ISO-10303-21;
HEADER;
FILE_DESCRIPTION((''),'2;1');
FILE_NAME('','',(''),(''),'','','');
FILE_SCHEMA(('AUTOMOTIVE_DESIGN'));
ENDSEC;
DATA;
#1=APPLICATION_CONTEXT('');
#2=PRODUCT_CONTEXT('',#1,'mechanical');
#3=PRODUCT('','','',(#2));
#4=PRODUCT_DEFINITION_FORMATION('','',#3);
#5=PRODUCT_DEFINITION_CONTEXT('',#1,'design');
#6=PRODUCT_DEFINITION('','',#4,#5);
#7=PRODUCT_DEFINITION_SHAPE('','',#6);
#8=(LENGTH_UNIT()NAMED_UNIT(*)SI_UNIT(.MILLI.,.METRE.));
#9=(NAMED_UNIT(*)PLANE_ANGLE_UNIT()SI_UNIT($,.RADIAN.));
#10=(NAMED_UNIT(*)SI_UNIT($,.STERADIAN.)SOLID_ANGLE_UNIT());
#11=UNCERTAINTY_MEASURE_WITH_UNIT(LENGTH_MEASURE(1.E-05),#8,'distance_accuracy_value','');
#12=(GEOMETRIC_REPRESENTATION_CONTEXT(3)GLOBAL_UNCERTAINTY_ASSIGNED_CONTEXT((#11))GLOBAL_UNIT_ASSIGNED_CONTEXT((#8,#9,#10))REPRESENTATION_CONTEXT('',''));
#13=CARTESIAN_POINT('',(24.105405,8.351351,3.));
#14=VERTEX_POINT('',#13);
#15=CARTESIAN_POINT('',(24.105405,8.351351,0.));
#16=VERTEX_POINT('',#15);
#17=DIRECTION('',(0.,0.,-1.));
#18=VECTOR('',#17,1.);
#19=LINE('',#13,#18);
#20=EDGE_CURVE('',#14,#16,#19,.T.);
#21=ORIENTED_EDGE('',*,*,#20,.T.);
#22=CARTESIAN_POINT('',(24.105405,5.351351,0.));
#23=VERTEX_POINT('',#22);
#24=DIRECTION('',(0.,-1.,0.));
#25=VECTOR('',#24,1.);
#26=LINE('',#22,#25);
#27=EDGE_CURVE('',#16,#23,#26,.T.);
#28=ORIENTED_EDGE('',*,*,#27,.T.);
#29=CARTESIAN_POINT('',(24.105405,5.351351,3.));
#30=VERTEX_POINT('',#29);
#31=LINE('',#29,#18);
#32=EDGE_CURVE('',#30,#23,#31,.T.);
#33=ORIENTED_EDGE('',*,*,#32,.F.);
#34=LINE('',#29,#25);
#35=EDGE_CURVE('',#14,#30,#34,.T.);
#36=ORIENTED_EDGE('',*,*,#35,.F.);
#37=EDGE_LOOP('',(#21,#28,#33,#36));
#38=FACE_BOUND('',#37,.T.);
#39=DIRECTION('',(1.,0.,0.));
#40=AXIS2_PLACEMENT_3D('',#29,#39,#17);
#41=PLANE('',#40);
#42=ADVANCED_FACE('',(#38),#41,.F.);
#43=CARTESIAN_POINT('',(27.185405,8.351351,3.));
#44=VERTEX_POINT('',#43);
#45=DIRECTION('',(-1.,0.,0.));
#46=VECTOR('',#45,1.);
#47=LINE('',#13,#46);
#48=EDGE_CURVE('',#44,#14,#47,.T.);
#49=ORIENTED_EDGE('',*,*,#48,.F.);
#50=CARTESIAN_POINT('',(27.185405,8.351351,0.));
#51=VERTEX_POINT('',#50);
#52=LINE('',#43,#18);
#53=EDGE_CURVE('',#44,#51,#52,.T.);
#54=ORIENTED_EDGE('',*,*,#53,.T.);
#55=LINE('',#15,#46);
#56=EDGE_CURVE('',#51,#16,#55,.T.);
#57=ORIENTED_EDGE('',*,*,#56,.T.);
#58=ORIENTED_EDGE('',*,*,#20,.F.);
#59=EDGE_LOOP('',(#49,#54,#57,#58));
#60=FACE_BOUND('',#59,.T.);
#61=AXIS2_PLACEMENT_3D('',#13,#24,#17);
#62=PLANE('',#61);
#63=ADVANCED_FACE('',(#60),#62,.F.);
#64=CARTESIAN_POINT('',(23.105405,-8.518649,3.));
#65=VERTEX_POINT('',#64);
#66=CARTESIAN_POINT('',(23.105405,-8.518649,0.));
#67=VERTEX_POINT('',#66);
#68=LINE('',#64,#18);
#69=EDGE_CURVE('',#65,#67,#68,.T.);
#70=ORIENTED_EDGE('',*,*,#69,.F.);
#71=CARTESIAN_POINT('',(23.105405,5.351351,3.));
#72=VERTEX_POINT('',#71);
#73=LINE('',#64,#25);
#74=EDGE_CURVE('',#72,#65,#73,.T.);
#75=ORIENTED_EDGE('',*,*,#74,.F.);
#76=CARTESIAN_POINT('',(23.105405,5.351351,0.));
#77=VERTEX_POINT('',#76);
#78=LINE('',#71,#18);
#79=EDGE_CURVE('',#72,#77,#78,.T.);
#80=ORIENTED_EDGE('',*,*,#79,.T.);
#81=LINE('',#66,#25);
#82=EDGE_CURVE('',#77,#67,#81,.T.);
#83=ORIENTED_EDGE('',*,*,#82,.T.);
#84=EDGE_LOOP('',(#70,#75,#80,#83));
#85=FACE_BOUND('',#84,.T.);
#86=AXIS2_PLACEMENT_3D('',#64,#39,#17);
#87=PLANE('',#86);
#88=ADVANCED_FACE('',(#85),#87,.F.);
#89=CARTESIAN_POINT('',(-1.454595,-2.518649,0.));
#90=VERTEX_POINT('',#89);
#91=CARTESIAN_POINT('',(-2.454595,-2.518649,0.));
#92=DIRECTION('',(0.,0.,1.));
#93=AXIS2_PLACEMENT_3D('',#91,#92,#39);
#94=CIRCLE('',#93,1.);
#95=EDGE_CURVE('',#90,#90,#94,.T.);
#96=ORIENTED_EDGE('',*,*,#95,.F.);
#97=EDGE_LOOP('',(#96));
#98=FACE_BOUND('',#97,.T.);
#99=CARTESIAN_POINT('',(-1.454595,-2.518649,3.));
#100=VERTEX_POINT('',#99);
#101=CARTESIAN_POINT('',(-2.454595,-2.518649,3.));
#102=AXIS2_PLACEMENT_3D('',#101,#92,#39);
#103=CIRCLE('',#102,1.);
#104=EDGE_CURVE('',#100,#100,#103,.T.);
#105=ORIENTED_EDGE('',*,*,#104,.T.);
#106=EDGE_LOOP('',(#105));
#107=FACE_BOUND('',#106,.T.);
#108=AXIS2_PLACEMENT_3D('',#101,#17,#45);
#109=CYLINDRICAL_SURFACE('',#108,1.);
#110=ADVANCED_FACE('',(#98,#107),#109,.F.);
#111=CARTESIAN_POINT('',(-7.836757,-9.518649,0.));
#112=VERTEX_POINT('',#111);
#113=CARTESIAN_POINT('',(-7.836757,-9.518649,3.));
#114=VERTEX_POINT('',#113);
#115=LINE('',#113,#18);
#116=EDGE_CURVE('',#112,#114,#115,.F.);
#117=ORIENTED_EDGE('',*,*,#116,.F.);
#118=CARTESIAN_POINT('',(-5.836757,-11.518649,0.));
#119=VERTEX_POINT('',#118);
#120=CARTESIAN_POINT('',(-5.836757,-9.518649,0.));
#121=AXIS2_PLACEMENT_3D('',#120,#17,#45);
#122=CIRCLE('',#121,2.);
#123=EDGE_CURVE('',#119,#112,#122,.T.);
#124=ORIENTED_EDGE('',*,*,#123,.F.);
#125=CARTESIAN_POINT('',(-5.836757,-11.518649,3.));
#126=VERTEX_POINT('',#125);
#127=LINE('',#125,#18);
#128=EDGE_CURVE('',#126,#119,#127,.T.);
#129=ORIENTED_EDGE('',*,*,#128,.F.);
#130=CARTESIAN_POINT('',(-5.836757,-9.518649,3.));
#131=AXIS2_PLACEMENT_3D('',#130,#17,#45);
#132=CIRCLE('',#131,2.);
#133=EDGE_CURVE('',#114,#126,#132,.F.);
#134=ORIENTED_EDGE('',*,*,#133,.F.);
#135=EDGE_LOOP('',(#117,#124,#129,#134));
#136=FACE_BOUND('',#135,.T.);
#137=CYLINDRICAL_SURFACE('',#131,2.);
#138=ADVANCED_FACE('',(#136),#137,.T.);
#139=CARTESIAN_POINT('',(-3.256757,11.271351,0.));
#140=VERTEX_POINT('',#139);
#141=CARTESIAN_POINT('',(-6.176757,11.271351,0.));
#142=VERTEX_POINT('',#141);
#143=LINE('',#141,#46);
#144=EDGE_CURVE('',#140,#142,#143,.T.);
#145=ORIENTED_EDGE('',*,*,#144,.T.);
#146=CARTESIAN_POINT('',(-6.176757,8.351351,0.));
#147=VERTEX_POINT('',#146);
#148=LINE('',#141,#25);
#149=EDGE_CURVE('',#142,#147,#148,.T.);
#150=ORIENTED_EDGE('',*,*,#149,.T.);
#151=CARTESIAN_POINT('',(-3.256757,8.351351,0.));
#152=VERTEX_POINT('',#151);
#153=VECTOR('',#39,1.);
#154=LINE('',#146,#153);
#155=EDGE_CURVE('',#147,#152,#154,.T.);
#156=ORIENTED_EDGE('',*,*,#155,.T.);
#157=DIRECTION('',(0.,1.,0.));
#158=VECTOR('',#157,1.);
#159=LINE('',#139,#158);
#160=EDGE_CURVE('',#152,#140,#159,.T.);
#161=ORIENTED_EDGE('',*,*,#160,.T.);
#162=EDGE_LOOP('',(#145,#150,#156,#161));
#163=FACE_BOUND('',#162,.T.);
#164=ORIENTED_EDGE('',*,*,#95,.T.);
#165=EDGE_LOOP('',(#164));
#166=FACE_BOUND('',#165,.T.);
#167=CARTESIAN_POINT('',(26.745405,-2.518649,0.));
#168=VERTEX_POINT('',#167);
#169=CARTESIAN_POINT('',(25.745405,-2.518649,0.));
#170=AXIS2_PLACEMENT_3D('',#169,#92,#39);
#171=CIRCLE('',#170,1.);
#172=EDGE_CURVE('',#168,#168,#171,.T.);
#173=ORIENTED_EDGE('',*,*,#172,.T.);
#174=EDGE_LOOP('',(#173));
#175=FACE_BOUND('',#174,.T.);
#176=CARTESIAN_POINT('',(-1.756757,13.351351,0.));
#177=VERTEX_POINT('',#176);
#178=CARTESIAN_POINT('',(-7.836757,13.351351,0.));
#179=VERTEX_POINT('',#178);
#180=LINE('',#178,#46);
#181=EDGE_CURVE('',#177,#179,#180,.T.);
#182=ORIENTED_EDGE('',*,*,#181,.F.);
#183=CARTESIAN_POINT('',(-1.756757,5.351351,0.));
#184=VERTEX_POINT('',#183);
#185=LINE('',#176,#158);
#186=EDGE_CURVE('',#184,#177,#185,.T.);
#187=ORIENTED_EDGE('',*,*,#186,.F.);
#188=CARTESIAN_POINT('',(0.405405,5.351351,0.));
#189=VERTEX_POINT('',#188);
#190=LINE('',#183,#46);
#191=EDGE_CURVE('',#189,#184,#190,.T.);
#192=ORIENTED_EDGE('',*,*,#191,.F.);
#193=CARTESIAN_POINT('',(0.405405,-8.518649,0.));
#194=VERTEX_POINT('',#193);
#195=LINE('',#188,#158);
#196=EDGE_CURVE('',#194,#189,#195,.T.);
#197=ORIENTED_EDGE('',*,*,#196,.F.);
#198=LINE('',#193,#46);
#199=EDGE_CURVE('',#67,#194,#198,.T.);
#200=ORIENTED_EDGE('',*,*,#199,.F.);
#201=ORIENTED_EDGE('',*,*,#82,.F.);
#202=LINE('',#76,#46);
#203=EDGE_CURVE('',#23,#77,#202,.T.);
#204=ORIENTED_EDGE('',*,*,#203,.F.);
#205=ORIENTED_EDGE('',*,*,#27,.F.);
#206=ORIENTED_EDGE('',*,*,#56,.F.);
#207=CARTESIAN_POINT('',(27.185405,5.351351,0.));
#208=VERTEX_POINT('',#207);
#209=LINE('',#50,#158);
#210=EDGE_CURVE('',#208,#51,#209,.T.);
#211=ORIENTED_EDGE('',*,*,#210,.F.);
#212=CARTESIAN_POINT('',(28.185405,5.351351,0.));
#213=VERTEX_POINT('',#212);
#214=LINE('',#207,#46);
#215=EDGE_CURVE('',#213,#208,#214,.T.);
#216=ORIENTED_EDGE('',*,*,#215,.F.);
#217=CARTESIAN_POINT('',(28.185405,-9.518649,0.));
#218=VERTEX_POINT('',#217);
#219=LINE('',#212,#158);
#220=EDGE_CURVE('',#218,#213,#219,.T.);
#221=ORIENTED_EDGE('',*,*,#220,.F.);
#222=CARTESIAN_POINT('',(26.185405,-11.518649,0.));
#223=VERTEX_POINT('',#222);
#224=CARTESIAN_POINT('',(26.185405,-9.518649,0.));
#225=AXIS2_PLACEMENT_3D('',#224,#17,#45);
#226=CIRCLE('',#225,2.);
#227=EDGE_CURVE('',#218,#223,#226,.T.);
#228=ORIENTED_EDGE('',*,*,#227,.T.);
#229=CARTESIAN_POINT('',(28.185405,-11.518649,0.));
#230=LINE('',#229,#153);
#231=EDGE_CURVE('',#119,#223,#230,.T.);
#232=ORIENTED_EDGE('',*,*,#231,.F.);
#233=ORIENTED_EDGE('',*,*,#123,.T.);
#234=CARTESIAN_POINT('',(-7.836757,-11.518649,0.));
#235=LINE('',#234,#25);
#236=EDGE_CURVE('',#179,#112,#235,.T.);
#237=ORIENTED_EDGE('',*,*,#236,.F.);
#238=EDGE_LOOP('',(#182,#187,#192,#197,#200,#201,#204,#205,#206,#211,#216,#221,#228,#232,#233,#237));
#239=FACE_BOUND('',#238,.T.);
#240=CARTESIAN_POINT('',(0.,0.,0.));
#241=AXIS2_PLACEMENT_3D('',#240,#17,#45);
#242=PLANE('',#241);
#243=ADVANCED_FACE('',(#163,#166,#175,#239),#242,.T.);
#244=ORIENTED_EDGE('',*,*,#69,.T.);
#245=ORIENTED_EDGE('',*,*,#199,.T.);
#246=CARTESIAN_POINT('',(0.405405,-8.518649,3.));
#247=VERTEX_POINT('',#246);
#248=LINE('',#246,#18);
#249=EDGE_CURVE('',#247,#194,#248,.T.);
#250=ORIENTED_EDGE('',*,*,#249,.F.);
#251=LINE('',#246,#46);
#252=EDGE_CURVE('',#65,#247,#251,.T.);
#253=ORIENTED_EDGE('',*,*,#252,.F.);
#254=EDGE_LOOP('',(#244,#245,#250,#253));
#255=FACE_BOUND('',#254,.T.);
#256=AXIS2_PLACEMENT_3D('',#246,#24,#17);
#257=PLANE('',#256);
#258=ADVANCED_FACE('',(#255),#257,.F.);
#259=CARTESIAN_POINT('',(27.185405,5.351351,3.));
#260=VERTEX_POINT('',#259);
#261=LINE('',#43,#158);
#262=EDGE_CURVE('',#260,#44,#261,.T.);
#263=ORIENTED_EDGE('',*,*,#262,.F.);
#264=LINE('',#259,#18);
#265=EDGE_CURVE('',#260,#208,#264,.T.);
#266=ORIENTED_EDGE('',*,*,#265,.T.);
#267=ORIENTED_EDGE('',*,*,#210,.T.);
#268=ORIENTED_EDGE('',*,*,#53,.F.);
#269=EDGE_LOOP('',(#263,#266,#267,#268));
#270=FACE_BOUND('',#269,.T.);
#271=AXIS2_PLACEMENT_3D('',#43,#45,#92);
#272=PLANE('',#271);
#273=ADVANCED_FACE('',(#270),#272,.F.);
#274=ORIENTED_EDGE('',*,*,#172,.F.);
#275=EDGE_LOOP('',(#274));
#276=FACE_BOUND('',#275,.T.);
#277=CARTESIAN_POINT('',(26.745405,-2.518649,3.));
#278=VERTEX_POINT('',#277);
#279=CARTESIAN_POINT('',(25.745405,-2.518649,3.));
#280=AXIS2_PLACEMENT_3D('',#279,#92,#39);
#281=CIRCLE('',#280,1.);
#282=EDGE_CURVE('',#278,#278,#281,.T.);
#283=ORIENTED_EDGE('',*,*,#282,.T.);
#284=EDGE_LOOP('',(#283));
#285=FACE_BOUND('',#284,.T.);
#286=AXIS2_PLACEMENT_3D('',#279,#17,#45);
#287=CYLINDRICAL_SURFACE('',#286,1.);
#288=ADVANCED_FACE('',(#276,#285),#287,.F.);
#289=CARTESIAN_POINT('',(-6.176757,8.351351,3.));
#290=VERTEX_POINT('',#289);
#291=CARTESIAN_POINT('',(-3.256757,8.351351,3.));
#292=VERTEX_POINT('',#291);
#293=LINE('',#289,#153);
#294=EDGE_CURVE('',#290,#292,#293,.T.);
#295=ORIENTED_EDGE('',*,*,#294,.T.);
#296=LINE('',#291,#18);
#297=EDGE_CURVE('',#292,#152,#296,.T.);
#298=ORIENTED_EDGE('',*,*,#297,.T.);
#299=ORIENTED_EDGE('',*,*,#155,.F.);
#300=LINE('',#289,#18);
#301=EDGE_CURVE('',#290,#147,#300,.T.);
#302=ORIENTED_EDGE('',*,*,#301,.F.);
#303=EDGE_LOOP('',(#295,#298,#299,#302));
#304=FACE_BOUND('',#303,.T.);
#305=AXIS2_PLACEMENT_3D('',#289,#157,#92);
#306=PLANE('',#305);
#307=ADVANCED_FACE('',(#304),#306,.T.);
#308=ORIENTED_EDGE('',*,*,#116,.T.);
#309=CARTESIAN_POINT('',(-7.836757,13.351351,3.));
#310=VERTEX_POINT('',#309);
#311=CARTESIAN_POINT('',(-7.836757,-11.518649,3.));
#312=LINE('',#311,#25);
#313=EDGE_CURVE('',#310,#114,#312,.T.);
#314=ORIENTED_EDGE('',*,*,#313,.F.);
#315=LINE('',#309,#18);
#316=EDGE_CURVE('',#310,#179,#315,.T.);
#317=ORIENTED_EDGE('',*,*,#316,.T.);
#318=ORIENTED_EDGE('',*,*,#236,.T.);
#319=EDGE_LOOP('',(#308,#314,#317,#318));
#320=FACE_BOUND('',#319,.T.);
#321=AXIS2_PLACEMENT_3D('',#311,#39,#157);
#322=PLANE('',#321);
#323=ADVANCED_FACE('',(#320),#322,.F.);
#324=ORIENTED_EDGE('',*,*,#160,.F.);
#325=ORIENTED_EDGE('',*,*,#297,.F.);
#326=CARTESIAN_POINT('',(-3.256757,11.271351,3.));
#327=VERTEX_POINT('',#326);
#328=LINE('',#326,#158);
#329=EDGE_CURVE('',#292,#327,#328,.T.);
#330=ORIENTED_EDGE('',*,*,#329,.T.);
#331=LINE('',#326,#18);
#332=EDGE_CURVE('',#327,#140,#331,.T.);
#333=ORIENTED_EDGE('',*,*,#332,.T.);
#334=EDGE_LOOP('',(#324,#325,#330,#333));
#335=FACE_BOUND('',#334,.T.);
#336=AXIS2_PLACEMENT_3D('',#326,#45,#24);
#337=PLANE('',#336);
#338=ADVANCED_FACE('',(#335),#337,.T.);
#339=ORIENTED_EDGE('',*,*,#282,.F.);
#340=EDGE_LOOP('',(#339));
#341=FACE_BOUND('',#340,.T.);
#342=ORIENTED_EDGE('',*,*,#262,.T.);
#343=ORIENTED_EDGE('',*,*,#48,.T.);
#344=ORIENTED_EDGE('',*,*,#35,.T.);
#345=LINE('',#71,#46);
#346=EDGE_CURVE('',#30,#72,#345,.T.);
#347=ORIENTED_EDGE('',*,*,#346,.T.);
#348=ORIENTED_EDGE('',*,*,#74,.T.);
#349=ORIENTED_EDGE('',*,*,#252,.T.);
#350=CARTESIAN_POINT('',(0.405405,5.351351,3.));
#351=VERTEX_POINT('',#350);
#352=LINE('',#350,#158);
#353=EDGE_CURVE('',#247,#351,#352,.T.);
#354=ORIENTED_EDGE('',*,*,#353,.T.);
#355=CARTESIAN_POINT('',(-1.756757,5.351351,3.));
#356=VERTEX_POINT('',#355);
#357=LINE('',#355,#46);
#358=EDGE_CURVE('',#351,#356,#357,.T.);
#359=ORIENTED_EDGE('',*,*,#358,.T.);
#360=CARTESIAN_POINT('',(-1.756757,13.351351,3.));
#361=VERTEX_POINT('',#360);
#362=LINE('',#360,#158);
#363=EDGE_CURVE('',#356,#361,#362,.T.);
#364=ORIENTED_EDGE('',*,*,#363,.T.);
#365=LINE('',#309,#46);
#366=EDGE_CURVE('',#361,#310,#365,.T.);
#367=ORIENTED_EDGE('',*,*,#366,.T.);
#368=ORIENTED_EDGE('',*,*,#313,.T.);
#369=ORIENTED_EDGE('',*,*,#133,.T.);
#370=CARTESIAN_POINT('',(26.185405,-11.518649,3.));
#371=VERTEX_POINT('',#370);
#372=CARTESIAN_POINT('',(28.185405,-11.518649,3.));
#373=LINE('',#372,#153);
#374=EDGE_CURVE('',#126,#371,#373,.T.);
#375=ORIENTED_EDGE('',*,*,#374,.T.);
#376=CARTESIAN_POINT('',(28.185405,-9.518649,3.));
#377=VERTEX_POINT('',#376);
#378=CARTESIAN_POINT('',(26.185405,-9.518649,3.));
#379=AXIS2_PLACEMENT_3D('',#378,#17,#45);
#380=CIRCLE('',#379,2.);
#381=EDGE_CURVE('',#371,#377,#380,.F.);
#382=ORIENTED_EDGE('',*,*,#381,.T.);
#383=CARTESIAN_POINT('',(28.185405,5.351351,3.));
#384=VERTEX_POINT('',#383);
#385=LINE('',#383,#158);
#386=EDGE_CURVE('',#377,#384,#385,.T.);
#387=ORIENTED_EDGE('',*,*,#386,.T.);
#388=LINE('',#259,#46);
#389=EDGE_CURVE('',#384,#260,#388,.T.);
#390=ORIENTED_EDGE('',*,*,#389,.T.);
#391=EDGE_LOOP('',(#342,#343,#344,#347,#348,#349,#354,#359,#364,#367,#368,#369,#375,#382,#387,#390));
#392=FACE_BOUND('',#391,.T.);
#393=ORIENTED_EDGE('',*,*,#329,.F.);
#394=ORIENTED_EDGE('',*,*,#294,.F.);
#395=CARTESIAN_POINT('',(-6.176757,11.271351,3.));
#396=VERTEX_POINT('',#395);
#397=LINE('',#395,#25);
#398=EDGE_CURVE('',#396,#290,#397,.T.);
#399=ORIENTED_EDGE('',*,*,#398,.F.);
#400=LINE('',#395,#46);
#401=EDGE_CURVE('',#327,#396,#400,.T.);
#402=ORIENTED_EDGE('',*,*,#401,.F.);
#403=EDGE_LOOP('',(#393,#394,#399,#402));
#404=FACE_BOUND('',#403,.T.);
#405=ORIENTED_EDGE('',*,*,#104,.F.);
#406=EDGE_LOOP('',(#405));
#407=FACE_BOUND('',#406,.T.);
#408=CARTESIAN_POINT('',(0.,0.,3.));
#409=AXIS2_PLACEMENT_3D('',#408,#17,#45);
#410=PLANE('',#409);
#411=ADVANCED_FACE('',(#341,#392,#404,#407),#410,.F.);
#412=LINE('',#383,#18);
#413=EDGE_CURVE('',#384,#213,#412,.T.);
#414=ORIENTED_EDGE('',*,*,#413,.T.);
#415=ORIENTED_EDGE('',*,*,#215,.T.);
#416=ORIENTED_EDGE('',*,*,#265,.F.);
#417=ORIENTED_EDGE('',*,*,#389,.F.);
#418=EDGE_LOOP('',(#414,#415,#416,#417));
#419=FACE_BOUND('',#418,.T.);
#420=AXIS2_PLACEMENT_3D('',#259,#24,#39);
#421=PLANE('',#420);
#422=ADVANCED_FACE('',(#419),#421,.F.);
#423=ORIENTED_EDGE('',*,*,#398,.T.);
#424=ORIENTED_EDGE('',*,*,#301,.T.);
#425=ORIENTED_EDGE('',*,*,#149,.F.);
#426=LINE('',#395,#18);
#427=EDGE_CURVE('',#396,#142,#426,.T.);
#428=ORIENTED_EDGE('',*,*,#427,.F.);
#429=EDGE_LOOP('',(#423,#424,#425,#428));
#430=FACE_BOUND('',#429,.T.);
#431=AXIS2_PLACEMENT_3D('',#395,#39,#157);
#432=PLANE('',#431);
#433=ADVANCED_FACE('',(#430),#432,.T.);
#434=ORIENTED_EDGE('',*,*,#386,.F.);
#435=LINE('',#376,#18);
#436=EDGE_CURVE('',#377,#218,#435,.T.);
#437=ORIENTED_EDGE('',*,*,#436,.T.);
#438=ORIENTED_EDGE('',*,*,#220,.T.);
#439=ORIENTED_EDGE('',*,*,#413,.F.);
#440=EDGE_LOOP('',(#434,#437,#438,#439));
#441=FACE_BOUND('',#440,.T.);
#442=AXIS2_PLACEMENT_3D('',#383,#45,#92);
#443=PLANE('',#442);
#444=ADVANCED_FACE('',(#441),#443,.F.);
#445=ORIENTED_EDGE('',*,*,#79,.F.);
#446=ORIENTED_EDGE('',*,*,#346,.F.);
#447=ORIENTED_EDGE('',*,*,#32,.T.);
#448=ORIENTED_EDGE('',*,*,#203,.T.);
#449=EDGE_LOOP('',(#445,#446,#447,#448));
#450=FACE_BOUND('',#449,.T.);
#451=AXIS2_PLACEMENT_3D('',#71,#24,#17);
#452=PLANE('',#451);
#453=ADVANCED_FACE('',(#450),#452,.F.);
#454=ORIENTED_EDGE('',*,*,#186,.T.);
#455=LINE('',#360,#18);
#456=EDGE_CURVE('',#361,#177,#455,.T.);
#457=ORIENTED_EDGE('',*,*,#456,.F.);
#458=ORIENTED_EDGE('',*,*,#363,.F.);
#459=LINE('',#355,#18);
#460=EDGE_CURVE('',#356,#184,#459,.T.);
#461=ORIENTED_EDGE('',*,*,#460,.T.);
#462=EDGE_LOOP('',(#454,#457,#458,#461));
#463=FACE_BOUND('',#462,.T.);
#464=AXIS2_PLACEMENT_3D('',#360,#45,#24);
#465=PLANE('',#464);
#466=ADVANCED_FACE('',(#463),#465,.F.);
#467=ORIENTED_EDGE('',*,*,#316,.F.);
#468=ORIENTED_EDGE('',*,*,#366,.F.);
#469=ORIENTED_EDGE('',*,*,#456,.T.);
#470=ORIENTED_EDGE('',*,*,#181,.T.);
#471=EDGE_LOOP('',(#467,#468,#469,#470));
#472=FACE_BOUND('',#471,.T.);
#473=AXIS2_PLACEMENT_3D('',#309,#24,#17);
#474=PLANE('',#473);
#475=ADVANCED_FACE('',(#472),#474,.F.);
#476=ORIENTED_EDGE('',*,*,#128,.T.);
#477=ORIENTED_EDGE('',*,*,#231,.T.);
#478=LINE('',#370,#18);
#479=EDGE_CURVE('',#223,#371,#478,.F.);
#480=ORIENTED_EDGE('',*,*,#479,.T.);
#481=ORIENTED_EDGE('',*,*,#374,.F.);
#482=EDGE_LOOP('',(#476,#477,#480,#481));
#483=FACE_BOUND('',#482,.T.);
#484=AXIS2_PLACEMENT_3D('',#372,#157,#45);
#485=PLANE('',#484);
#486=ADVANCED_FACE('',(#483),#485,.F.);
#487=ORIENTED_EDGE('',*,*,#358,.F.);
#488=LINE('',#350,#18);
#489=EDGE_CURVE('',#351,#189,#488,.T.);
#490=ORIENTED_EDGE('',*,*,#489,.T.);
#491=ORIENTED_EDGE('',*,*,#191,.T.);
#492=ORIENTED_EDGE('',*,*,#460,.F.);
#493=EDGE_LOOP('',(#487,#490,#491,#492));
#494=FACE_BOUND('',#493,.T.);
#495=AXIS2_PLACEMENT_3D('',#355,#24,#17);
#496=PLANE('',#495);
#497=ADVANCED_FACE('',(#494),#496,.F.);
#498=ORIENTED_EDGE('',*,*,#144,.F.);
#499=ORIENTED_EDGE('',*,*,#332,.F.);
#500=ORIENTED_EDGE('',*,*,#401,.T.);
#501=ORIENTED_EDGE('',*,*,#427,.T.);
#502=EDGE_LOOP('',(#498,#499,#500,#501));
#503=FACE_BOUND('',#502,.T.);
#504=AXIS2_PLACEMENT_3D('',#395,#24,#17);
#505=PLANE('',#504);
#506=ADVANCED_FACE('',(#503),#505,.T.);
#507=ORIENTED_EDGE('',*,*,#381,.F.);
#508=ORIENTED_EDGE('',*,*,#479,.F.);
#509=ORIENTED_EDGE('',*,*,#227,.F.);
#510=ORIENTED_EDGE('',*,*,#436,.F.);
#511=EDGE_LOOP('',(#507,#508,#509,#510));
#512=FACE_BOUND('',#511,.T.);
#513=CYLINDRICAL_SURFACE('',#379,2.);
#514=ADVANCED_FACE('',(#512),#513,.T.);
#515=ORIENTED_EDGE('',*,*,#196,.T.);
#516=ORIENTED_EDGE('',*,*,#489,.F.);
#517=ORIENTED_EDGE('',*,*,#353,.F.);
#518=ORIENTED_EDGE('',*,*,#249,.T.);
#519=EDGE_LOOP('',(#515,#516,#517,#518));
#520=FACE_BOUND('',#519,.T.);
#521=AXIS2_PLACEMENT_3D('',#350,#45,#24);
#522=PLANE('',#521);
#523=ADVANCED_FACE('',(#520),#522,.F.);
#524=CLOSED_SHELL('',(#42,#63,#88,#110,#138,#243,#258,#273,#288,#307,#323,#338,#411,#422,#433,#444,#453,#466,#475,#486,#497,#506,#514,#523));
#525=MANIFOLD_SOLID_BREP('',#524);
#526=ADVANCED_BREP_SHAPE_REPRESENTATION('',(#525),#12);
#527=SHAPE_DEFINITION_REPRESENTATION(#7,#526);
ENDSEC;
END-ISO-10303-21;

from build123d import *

# Parameters (mm, degrees)
SKETCH1_R           = 1
SKETCH1_W           = 2.92
SKETCH1_H           = 2.92
BOSS_EXTRUDE1_DEPTH = 3
FILLET1_R           = 2


with BuildPart() as part:
    # Sketch1 → Boss-Extrude1 (new body)
    with BuildSketch(Plane.XY):
        Polygon((28.185405405, -11.518648649), (-7.836756757, -11.518648649), (-7.836756757, 13.351351351), (-1.756756757, 13.351351351), (-1.756756757, 5.351351351), (0.405405405, 5.351351351), (0.405405405, -8.518648649), (23.105405405, -8.518648649), (23.105405405, 5.351351351), (24.105405405, 5.351351351), (24.105405405, 8.351351351), (27.185405405, 8.351351351), (27.185405405, 5.351351351), (28.185405405, 5.351351351), align=None)
        with Locations((-2.454594595, -2.518648649)):
            Circle(SKETCH1_R, mode=Mode.SUBTRACT)
        with Locations((25.745405405, -2.518648649)):
            Circle(SKETCH1_R, mode=Mode.SUBTRACT)
        with Locations((-4.716756757, 9.811351351)):
            Rectangle(SKETCH1_W, SKETCH1_H, mode=Mode.SUBTRACT)
    extrude(amount=BOSS_EXTRUDE1_DEPTH)

    # Fillet1
    fillet1_edges = [part.edges().sort_by_distance(p)[0] for p in [
        (28.185405405, -11.518648649, 1.5),
        (-7.836756757, -11.518648649, 1.5),
    ]]
    fillet(fillet1_edges, radius=FILLET1_R)


solid = part.part
